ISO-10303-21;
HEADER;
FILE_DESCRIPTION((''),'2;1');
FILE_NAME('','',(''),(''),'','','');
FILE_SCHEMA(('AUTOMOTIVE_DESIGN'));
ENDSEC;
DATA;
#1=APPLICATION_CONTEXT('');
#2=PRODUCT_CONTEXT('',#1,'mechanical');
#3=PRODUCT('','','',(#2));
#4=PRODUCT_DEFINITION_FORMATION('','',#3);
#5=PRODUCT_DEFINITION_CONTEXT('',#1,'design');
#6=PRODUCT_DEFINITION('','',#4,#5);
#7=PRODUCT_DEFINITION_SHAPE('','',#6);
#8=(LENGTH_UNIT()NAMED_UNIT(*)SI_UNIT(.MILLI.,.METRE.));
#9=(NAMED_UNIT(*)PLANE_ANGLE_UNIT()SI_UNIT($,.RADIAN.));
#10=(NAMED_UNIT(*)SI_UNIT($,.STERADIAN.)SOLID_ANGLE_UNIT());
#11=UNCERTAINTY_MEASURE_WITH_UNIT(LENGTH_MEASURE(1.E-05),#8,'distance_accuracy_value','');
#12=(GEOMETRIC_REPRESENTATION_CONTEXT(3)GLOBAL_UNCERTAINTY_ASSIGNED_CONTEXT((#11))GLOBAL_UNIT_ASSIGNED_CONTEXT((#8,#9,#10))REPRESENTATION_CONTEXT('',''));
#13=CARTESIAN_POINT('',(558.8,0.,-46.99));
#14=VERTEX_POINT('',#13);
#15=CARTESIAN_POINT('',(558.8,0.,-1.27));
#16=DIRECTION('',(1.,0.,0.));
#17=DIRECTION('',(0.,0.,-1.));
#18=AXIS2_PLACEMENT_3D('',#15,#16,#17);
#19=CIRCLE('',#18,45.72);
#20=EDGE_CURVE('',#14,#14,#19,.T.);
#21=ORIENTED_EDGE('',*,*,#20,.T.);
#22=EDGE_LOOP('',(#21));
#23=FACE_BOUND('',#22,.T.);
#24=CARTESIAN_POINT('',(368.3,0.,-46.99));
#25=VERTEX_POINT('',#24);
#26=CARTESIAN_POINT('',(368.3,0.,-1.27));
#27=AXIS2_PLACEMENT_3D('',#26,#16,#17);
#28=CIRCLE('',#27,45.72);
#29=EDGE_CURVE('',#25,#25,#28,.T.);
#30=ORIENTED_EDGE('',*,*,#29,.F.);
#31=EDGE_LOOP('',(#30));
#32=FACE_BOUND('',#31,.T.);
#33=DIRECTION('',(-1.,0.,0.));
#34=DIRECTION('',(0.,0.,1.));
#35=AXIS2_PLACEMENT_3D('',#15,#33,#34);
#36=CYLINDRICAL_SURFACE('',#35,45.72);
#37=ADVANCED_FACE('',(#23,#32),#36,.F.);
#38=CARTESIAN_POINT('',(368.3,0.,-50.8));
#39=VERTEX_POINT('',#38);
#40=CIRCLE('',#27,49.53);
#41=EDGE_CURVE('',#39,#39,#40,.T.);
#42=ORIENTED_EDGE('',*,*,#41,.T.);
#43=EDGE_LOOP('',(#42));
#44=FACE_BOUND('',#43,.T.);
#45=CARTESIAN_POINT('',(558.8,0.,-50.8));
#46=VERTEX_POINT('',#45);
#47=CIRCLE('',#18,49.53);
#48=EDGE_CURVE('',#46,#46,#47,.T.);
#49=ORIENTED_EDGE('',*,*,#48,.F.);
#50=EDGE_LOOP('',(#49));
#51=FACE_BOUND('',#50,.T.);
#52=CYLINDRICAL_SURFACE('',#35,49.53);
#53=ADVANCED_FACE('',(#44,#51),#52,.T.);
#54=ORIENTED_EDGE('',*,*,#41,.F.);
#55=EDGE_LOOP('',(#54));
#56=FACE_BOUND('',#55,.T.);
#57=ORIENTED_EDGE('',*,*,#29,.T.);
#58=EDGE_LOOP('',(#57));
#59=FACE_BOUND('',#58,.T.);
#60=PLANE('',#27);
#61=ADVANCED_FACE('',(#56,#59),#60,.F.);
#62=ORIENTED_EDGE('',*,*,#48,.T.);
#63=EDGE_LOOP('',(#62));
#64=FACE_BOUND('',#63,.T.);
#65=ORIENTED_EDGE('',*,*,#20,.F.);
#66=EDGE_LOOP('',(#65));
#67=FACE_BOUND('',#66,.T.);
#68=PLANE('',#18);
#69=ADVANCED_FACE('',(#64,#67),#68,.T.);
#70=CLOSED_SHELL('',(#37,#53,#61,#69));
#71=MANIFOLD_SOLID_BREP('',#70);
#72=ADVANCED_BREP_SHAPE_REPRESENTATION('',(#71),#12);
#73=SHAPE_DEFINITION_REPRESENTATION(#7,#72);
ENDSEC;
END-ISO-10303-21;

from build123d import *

# Parameters (mm, degrees)
SKETCH2_R           = 49.53
BOSS_EXTRUDE1_DEPTH = 203.2
SKETCH3_R           = 12.411567775
BOSS_EXTRUDE2_DEPTH = 50.8
SKETCH4_R           = 49.53
CUT_EXTRUDE1_DEPTH  = 381
SHELL1_T            = -3.81


with BuildPart() as part:
    # Sketch1 → Revolve2 (revolve)
    with BuildSketch(Plane(origin=(0, 0, 0), x_dir=(1, 0, 0), z_dir=(0, 1, 0))):
        with BuildLine():
            Line((355.600000053, 50.799999973), (355.600000053, 1.269999973))
            Line((355.600000053, 1.269999973), (50.800000047, 1.269999973))
            Line((50.800000047, 1.269999973), (50.800000047, 13.68156774))
            add(Edge.make_bspline(
                [(50.800000047, 13.68156774), (51.224607869, 13.786541703), (52.079748124, 13.99736018), (53.901316113, 14.445024847), (55.90428978, 14.933081433), (57.918204029, 15.420277853), (59.969167456, 15.913068852), (62.005618607, 16.398707152), (64.04585603, 16.881716673), (66.619566178, 17.486536085), (69.727395203, 18.209576077), (73.370678613, 19.04644661), (77.55044141, 19.991710093), (82.779136229, 21.155661521), (97.433989811, 24.348822924), (119.485629173, 28.81699746), (168.00075752, 37.516041455), (219.035004801, 44.081341124), (262.822405655, 47.820230422), (299.206459448, 49.570692635), (308.841173655, 49.947366018), (315.265578413, 50.162354186), (319.548981494, 50.29122703), (323.832782669, 50.405645805), (328.116966628, 50.505609209), (332.401425999, 50.591116104), (336.139078075, 50.653092889), (339.329601827, 50.697064227), (341.973247658, 50.727612371), (344.069774299, 50.748376802), (346.163273231, 50.76568058), (348.272494467, 50.77952366), (350.344714481, 50.789906003), (352.405704949, 50.79682758), (354.282013928, 50.799423175), (355.162608625, 50.799999974), (355.600000053, 50.799999973)],
                knots=[0.08282658, 0.08282658, 0.08282658, 0.08282658, 0.08282658, 0.088510594, 0.094194608, 0.099878623, 0.105562637, 0.111246651, 0.116930666, 0.12261468, 0.128298694, 0.139917182, 0.15153567, 0.163154157, 0.174772645, 0.198009616, 0.314194483, 0.407142375, 0.709223026, 0.755696971, 0.790552431, 0.802170918, 0.813789405, 0.825407891, 0.837026378, 0.848644864, 0.860263351, 0.871881838, 0.877565852, 0.883249866, 0.88893388, 0.894617894, 0.900301908, 0.905985922, 0.911669936, 0.91735395, 0.91735395, 0.91735395, 0.91735395, 0.91735395], degree=4))
        make_face()
    revolve(axis=Axis((355.600000053, 0, -1.269999973), (-1, 0, 0)))

    # Sketch2 → Boss-Extrude1 (add)
    with BuildSketch(Plane(origin=(355.600000053, 0, 0), x_dir=(0, 0, -1), z_dir=(1, 0, 0))):
        with Locations((1.269999973, 0)):
            Circle(SKETCH2_R)
    extrude(amount=BOSS_EXTRUDE1_DEPTH)

    # Sketch3 → Boss-Extrude2 (add)
    with BuildSketch(Plane.ZY.offset(-50.800000063)):
        with Locations((-1.269999973, 0)):
            Circle(SKETCH3_R)
    extrude(amount=BOSS_EXTRUDE2_DEPTH)

    # Sketch4 → Cut-Extrude1 (cut)
    with BuildSketch(Plane(origin=(368.300000053, 0, 0), x_dir=(0, 0, -1), z_dir=(1, 0, 0))):
        with Locations((1.269999973, 0)):
            Circle(SKETCH4_R)
    extrude(amount=-CUT_EXTRUDE1_DEPTH, mode=Mode.SUBTRACT)

    # Shell1
    shell1_openings = [part.faces().sort_by_distance(p)[0] for p in [
        (558.800000053, 0, -1.269999973),
        (368.300000053, 0, -1.269999973),
    ]]
    offset(amount=SHELL1_T, openings=shell1_openings, kind=Kind.INTERSECTION)


solid = part.part
